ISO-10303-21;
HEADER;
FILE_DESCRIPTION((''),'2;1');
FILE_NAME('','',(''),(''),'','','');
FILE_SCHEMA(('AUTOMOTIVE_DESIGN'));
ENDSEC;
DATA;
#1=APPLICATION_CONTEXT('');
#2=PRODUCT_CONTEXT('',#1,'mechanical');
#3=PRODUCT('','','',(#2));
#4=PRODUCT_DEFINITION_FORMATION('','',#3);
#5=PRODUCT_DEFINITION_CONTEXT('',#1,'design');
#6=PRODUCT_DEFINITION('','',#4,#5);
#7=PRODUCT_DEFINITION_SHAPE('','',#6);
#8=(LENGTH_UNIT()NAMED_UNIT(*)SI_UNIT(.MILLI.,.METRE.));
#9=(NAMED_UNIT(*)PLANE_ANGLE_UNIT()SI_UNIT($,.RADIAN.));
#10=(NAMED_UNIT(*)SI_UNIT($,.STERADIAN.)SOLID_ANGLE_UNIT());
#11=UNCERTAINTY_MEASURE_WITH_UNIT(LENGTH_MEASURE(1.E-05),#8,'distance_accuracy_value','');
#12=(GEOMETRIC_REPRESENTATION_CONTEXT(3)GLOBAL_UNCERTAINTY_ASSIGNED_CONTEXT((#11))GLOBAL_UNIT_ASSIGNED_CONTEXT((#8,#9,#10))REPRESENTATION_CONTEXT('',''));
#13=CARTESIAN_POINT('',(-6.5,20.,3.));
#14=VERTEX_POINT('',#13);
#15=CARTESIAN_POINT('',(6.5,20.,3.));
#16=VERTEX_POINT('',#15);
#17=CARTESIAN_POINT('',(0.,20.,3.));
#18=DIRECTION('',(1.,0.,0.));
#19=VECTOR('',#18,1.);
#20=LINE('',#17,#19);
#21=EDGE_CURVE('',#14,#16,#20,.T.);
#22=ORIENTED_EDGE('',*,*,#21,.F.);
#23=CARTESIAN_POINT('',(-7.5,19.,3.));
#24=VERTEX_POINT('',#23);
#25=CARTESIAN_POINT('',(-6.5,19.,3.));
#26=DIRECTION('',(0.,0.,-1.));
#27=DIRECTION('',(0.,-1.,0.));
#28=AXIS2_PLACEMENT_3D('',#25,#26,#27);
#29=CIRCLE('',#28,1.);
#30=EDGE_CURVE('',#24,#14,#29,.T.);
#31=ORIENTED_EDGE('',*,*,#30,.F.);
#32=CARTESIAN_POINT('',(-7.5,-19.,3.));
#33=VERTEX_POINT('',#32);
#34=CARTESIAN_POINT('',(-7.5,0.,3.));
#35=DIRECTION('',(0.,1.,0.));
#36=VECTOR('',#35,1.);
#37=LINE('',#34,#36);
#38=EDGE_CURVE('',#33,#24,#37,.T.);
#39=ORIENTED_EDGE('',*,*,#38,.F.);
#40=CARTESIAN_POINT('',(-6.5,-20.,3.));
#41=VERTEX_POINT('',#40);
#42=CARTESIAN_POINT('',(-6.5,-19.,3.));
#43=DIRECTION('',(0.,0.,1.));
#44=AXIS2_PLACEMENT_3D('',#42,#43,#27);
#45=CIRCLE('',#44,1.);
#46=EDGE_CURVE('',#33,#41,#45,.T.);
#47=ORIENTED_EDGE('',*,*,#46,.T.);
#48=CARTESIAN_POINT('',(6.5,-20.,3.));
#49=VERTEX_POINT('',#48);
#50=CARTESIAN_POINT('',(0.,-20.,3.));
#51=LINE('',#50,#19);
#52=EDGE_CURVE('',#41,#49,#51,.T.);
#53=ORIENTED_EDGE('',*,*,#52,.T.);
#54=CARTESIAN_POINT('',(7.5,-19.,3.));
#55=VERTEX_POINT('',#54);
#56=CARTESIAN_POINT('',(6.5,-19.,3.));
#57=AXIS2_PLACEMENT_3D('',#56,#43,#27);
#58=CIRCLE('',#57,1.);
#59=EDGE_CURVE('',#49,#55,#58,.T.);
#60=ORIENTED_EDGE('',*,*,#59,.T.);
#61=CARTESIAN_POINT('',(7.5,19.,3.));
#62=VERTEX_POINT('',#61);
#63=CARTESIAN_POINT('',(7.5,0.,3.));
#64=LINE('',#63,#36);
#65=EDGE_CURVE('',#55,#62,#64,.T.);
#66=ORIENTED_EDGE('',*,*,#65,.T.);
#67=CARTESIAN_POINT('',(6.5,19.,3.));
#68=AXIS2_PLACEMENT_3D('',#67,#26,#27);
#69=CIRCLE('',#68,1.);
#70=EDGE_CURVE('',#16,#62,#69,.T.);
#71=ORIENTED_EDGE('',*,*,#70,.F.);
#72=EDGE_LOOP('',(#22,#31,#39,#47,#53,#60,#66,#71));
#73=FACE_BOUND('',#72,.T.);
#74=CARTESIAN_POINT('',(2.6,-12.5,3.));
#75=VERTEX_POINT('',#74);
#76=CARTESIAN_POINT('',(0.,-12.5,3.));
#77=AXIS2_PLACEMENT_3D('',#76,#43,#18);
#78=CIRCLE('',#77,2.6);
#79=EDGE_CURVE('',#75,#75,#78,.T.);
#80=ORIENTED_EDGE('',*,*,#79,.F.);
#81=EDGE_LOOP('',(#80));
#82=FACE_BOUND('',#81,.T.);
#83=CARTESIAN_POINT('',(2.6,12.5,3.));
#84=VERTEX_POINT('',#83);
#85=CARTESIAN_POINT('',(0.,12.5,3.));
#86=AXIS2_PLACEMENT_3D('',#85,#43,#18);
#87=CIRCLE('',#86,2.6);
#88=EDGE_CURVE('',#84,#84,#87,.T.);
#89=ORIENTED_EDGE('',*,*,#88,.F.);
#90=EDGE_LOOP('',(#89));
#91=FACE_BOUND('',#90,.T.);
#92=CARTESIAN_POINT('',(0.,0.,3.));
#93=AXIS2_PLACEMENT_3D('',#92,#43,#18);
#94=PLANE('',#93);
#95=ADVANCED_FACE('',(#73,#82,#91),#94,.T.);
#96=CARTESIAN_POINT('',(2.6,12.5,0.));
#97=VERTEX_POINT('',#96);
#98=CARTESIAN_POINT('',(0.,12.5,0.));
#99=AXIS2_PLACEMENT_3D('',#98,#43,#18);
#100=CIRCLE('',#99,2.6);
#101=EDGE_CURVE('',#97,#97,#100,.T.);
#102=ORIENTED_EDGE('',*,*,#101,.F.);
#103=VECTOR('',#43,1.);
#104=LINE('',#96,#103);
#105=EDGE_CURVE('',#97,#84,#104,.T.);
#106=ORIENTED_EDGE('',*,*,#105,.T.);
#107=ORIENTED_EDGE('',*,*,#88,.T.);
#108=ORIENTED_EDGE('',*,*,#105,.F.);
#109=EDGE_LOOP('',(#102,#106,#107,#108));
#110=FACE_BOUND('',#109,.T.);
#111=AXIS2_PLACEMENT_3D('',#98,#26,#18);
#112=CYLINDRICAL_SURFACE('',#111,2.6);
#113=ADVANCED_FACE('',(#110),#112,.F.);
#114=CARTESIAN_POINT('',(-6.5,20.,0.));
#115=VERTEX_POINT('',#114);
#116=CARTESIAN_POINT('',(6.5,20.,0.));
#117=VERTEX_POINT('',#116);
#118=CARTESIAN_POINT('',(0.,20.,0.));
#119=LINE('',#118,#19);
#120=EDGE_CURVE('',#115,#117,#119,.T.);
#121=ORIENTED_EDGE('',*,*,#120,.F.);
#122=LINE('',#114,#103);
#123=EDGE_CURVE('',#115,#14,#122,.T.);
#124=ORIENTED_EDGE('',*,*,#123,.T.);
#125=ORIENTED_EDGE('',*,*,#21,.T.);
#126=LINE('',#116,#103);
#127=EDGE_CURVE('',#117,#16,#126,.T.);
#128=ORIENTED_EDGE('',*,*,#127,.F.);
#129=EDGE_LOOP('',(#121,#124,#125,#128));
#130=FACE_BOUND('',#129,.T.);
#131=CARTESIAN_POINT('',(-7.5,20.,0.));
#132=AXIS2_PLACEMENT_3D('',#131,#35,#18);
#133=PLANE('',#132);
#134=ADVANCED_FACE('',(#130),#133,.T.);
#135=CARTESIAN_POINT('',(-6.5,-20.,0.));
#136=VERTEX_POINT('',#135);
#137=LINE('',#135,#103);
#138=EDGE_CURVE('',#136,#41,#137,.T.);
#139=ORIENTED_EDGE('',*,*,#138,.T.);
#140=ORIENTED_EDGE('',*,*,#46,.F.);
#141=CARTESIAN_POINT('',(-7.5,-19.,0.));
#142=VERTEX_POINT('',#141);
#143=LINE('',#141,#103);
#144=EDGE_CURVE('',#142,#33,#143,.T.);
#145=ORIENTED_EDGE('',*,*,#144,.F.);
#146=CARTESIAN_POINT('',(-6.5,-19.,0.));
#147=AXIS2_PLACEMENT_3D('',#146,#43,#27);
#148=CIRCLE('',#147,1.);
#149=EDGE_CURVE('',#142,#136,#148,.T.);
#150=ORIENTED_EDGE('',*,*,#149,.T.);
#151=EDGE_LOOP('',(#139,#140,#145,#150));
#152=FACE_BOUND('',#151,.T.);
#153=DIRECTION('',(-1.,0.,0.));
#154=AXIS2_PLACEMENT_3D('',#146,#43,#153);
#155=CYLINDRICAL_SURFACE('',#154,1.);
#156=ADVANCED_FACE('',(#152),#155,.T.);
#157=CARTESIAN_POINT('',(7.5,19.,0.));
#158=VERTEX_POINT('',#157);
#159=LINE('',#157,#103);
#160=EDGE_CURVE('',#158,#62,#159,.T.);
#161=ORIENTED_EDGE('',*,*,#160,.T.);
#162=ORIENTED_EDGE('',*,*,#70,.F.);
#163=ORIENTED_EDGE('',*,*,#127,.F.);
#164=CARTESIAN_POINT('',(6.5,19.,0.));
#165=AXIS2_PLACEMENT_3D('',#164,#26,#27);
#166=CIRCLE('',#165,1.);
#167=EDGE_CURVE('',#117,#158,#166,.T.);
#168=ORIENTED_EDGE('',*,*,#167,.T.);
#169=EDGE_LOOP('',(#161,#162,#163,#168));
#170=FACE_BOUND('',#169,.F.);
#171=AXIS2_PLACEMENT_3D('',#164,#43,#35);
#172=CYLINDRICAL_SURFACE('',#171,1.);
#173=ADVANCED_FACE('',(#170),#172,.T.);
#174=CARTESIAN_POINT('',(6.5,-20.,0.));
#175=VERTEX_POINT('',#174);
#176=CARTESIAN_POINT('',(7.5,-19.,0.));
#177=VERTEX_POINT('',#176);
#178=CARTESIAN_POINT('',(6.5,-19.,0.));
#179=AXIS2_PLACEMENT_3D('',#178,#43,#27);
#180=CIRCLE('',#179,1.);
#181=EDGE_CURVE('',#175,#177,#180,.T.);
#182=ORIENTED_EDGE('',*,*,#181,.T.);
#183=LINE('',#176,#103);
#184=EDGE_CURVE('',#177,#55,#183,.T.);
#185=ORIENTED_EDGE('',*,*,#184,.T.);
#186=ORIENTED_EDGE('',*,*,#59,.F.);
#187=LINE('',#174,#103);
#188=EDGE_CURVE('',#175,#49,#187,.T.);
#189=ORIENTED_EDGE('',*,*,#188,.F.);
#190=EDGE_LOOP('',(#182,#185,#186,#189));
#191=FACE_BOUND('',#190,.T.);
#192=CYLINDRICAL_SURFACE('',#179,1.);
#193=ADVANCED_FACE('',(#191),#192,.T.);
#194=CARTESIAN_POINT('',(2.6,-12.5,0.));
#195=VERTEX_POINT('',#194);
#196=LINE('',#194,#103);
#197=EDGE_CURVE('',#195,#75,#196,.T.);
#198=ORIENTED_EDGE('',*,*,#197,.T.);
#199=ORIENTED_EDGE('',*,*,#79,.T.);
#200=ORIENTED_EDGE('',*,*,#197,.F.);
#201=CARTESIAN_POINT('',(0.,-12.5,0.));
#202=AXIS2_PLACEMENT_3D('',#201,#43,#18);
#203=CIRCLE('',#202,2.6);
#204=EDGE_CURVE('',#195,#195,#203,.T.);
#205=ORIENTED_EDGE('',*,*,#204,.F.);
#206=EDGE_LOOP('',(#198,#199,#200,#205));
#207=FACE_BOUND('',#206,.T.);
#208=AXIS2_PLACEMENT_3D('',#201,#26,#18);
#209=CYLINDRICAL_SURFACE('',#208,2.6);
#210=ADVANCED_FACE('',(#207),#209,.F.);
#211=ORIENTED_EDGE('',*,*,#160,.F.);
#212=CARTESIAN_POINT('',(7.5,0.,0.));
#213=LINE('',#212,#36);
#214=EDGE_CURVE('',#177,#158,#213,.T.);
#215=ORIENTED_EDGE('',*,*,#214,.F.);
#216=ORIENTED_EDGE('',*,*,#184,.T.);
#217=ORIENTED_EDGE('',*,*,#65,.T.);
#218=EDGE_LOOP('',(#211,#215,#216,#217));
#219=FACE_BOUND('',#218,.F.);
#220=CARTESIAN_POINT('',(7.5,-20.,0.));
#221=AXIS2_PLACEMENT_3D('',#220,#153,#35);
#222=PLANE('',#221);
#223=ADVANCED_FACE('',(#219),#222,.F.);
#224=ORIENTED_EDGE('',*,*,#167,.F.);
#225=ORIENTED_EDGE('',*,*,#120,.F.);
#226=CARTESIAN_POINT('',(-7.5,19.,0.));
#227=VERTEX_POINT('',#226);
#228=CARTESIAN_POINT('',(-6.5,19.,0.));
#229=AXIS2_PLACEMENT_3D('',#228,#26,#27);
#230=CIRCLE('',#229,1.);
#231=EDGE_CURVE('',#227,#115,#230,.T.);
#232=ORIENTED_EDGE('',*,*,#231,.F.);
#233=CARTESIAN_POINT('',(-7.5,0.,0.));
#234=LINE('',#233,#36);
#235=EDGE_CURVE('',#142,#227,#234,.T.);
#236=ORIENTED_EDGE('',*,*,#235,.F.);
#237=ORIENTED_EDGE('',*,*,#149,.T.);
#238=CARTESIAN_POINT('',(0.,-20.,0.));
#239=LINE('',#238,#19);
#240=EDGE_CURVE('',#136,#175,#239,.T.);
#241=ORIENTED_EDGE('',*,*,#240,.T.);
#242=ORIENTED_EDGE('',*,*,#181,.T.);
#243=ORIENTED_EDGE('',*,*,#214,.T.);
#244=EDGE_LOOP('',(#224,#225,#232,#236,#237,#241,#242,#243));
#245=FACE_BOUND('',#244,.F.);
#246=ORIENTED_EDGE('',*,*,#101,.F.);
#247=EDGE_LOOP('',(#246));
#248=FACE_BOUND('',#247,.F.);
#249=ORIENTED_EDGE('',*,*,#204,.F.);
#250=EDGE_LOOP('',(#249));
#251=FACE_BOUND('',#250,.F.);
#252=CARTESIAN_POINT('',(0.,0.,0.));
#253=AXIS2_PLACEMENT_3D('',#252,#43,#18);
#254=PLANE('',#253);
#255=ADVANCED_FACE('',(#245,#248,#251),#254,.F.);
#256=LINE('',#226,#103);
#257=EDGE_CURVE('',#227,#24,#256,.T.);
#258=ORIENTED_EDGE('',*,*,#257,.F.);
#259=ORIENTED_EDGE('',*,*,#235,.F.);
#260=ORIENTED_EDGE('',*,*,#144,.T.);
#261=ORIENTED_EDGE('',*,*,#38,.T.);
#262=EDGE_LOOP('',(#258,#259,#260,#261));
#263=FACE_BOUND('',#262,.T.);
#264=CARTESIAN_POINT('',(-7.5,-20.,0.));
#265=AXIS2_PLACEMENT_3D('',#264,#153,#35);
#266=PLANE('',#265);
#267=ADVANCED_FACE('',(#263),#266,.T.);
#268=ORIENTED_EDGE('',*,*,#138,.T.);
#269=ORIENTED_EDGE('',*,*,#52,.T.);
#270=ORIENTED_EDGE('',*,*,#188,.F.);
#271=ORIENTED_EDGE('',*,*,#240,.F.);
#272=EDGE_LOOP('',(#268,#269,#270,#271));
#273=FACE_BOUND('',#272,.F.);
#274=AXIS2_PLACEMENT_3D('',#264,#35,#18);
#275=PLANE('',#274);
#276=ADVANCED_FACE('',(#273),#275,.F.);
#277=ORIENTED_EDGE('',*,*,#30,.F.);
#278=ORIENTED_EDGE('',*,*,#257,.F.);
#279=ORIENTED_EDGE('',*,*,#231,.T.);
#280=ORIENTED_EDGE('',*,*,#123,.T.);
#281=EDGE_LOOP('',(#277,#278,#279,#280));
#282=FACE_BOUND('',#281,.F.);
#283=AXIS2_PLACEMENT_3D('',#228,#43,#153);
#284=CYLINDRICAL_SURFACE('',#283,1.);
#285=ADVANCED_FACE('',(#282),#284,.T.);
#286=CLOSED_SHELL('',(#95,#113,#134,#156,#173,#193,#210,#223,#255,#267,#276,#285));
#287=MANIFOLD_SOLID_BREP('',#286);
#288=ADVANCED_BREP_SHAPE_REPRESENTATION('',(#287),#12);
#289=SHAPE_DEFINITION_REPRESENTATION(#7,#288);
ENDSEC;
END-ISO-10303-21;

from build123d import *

# Parameters (mm, degrees)
SKETCH_W  = 15
SKETCH_H  = 40
SKETCH_R  = 2.6
PAD_DEPTH = 3
FILLET_R  = 1


with BuildPart() as part:
    # Sketch → Pad (new body)
    with BuildSketch(Plane.XY):
        Rectangle(SKETCH_W, SKETCH_H)
        with Locations((0, 12.5)):
            Circle(SKETCH_R, mode=Mode.SUBTRACT)
        with Locations((0, -12.5)):
            Circle(SKETCH_R, mode=Mode.SUBTRACT)
    extrude(amount=PAD_DEPTH)

    # Fillet
    fillet_edges = [part.edges().sort_by_distance(p)[0] for p in [
        (7.5, 20, 1.5),
        (-7.5, 20, 1.5),
        (7.5, -20, 1.5),
        (-7.5, -20, 1.5),
    ]]
    fillet(fillet_edges, radius=FILLET_R)


solid = part.part
